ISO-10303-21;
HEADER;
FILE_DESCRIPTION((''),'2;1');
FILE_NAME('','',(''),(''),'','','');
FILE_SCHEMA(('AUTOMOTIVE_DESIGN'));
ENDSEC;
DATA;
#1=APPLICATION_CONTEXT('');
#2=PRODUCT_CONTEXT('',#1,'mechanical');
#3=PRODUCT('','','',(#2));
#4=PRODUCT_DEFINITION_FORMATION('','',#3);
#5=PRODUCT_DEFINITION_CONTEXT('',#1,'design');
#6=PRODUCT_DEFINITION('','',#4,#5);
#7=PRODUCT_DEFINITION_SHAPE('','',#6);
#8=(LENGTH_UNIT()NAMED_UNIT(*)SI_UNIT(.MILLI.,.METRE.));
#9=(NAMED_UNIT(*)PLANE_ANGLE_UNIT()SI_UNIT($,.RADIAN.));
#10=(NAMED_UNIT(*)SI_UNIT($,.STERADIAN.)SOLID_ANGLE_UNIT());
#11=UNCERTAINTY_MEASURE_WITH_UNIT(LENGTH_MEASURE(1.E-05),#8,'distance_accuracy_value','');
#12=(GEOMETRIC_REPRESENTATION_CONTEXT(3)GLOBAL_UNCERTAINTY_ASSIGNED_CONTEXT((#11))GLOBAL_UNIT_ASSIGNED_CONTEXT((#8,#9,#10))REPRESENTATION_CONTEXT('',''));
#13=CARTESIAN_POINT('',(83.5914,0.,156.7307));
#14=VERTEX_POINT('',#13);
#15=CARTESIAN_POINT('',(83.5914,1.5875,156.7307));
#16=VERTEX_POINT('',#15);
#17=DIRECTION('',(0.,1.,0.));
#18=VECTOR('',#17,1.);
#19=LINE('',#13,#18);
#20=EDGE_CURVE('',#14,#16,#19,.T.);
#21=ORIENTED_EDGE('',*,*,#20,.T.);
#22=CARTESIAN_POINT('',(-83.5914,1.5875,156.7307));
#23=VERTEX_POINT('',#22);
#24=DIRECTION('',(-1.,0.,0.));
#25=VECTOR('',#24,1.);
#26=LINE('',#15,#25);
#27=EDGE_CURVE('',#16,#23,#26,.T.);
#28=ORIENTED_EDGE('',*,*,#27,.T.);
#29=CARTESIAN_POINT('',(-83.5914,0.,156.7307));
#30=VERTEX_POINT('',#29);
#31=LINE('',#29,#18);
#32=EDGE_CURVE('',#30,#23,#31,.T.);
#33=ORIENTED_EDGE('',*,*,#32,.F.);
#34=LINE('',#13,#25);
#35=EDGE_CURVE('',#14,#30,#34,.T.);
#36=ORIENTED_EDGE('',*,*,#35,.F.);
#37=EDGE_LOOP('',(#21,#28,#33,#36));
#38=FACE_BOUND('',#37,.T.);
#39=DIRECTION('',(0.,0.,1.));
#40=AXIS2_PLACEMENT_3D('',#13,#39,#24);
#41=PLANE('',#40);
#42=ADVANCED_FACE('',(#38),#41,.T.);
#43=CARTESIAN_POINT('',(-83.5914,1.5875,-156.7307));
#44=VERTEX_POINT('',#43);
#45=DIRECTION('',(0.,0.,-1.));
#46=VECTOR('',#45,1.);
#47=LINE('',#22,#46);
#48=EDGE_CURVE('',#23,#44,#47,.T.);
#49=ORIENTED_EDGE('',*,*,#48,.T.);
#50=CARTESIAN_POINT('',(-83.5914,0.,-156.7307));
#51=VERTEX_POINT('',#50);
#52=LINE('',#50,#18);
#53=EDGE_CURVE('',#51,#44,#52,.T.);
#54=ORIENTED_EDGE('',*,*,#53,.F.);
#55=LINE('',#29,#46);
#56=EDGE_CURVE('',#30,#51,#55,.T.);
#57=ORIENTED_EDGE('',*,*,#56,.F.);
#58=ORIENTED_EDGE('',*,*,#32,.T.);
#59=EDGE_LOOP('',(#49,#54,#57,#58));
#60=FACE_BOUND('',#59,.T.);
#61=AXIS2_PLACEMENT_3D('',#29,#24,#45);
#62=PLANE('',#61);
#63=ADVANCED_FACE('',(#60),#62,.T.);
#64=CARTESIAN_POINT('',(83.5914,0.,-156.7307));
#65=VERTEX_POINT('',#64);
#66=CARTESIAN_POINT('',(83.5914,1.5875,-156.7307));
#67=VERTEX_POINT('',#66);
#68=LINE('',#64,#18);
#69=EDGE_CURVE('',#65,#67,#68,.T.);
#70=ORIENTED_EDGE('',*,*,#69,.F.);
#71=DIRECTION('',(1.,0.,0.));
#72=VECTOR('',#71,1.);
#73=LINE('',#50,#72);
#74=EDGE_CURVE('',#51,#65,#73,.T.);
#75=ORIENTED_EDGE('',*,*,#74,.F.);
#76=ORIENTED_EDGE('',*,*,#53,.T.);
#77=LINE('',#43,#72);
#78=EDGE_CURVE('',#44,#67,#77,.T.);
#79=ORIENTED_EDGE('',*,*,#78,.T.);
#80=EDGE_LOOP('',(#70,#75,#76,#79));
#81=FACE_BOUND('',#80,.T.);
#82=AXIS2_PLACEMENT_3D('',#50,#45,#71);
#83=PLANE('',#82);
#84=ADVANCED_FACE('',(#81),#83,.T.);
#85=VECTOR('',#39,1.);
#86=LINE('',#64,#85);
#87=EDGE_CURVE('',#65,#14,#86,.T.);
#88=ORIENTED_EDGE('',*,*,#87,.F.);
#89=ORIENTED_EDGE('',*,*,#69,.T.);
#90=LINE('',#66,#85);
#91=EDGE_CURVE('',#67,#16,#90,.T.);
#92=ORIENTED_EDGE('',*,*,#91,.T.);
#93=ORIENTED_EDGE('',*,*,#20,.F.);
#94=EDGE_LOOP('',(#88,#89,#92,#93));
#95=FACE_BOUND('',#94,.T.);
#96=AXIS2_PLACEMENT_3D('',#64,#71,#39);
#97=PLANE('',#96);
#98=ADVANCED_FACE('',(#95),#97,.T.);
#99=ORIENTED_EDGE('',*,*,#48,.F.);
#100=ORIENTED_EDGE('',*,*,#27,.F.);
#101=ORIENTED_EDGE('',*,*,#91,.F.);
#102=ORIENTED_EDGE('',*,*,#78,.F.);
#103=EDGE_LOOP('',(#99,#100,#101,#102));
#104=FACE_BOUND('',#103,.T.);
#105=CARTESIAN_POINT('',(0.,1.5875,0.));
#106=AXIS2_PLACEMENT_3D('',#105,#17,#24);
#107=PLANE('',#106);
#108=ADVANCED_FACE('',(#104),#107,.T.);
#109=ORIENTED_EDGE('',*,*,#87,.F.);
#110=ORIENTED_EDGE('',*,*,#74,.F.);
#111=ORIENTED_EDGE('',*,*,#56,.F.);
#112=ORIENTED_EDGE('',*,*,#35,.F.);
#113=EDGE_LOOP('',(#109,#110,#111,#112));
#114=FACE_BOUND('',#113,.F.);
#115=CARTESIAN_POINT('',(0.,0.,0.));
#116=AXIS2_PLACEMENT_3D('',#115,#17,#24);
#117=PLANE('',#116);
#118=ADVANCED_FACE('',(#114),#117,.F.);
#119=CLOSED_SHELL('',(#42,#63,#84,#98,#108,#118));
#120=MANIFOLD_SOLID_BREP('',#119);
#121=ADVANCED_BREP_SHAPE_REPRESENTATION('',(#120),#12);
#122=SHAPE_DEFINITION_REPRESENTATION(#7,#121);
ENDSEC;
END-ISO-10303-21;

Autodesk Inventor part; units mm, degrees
ref_plane "YZ Plane" through (0, 0, 0) normal (1, 0, 0) x (0, 1, 0)
ref_plane "XZ Plane" through (0, 0, 0) normal (0, 1, 0) x (-1, 0, 0)
ref_plane "XY Plane" through (0, 0, 0) normal (0, 0, 1) x (1, 0, 0)
sketch "Sketch1" plane through (0, 0, 0) normal (0, 1, 0) x (-1, 0, 0)
  line L0 (83.5914, -156.7307) -> (-83.5914, -156.7307)
  line L1 (-83.5914, -156.7307) -> (-83.5914, 156.7307)
  line L2 (-83.5914, 156.7307) -> (83.5914, 156.7307)
  line L3 (83.5914, 156.7307) -> (83.5914, -156.7307)
  line L4 (83.5914, -156.7307) -> (-83.5914, 156.7307) construction
  line L5 (-83.5914, -156.7307) -> (83.5914, 156.7307) construction
  point P0 (0, 0)
  dimension "d0" = 167.1828
  dimension "d1" = 313.4614
extrude "Extrusion1" add sketch "Sketch1" along normal blind 1.5875
properties part number "polycarb"
